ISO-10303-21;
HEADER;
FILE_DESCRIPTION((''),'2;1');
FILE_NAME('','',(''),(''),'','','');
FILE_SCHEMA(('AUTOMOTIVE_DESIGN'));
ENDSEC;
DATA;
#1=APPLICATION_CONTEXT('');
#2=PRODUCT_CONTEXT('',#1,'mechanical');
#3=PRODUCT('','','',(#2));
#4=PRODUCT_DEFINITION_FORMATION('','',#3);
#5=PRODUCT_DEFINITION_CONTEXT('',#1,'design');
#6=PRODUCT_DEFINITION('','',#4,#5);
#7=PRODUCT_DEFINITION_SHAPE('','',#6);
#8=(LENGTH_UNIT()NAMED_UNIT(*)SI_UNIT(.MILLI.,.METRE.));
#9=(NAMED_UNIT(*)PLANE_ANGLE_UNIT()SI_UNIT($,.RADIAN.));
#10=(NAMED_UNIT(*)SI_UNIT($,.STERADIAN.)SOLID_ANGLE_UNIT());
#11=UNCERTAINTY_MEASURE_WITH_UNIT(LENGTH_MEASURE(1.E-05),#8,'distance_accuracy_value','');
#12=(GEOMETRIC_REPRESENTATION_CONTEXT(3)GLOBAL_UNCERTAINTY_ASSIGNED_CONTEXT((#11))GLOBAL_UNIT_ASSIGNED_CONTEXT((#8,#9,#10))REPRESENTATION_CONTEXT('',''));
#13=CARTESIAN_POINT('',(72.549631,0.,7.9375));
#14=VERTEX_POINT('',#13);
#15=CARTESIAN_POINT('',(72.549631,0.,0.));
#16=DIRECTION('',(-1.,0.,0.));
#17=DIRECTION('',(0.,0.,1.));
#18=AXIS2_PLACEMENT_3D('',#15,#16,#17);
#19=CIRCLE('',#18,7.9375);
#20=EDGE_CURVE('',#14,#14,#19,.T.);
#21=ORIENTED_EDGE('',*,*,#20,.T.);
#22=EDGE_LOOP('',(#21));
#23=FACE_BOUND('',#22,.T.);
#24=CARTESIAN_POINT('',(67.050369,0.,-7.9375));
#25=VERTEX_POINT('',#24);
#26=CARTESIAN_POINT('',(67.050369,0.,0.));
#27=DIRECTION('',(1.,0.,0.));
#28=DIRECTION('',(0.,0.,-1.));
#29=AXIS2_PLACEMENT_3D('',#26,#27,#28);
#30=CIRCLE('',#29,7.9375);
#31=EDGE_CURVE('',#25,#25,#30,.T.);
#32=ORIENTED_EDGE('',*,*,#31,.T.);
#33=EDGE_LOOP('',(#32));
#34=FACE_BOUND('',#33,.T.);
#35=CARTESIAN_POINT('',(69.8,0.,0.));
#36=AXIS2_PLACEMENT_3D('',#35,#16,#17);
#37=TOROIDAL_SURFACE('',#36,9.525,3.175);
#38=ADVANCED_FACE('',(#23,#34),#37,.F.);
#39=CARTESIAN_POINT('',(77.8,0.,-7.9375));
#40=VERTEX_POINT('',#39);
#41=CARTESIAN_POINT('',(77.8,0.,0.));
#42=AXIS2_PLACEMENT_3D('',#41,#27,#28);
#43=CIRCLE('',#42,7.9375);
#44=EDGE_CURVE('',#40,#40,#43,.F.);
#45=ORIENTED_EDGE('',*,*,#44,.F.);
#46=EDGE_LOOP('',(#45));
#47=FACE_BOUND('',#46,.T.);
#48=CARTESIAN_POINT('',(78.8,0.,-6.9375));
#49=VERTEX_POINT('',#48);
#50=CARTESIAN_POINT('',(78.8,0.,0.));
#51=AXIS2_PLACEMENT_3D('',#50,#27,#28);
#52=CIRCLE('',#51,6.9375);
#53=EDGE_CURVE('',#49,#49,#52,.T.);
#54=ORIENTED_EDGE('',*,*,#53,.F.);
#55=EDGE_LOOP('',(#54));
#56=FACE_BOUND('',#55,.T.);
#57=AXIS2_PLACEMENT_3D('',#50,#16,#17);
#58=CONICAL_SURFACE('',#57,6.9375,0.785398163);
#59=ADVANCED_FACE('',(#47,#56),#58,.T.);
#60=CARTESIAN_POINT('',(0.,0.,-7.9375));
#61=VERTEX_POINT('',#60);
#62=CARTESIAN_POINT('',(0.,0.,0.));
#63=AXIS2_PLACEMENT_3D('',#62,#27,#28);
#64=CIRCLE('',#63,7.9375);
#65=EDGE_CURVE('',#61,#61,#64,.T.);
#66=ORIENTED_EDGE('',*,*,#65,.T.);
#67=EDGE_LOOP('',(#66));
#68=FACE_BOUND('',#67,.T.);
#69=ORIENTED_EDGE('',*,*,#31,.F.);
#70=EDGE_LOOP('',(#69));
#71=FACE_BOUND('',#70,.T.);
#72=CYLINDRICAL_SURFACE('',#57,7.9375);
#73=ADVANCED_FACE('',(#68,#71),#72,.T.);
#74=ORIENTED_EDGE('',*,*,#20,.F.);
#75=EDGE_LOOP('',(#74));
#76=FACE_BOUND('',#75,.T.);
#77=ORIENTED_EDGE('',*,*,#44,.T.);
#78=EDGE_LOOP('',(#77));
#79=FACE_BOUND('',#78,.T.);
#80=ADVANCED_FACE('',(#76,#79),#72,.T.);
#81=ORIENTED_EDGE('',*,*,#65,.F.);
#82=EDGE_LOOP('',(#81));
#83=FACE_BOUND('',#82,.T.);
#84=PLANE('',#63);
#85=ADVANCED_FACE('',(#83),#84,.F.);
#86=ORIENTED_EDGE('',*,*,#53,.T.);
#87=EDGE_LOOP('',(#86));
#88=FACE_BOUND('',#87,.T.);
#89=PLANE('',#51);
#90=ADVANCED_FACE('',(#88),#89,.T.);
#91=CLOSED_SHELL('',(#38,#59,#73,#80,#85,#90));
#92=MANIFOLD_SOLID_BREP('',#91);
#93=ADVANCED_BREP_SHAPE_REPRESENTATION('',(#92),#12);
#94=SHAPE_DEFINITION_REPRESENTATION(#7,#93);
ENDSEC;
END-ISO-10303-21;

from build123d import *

# Parameters (mm, degrees)
SKETCH1_R      = 7.9375
EXTRUDE1_DEPTH = 78.8
SKETCH2_R      = 3.175
CHAMFER1_SIZE  = 1


with BuildPart() as part:
    # Sketch1 → Extrude1 (new body)
    with BuildSketch(Plane(origin=(0, 0, 0), x_dir=(0, 0, -1), z_dir=(1, 0, 0))):
        Circle(SKETCH1_R)
    extrude(amount=EXTRUDE1_DEPTH)

    # Sketch2 → Cut-Revolve1 (revolve, cut)
    with BuildSketch(Plane(origin=(0, 0, 0), x_dir=(1, 0, 0), z_dir=(0, 1, 0))):
        with Locations((69.8, 9.525)):
            Circle(SKETCH2_R)
    revolve(axis=Axis((0, 0, 0), (1, 0, 0)), mode=Mode.SUBTRACT)

    # Chamfer1
    chamfer1_edges = [part.edges().sort_by_distance(p)[0] for p in [
        (78.8, 0, 7.9375),
    ]]
    chamfer(chamfer1_edges, length=CHAMFER1_SIZE)


solid = part.part
